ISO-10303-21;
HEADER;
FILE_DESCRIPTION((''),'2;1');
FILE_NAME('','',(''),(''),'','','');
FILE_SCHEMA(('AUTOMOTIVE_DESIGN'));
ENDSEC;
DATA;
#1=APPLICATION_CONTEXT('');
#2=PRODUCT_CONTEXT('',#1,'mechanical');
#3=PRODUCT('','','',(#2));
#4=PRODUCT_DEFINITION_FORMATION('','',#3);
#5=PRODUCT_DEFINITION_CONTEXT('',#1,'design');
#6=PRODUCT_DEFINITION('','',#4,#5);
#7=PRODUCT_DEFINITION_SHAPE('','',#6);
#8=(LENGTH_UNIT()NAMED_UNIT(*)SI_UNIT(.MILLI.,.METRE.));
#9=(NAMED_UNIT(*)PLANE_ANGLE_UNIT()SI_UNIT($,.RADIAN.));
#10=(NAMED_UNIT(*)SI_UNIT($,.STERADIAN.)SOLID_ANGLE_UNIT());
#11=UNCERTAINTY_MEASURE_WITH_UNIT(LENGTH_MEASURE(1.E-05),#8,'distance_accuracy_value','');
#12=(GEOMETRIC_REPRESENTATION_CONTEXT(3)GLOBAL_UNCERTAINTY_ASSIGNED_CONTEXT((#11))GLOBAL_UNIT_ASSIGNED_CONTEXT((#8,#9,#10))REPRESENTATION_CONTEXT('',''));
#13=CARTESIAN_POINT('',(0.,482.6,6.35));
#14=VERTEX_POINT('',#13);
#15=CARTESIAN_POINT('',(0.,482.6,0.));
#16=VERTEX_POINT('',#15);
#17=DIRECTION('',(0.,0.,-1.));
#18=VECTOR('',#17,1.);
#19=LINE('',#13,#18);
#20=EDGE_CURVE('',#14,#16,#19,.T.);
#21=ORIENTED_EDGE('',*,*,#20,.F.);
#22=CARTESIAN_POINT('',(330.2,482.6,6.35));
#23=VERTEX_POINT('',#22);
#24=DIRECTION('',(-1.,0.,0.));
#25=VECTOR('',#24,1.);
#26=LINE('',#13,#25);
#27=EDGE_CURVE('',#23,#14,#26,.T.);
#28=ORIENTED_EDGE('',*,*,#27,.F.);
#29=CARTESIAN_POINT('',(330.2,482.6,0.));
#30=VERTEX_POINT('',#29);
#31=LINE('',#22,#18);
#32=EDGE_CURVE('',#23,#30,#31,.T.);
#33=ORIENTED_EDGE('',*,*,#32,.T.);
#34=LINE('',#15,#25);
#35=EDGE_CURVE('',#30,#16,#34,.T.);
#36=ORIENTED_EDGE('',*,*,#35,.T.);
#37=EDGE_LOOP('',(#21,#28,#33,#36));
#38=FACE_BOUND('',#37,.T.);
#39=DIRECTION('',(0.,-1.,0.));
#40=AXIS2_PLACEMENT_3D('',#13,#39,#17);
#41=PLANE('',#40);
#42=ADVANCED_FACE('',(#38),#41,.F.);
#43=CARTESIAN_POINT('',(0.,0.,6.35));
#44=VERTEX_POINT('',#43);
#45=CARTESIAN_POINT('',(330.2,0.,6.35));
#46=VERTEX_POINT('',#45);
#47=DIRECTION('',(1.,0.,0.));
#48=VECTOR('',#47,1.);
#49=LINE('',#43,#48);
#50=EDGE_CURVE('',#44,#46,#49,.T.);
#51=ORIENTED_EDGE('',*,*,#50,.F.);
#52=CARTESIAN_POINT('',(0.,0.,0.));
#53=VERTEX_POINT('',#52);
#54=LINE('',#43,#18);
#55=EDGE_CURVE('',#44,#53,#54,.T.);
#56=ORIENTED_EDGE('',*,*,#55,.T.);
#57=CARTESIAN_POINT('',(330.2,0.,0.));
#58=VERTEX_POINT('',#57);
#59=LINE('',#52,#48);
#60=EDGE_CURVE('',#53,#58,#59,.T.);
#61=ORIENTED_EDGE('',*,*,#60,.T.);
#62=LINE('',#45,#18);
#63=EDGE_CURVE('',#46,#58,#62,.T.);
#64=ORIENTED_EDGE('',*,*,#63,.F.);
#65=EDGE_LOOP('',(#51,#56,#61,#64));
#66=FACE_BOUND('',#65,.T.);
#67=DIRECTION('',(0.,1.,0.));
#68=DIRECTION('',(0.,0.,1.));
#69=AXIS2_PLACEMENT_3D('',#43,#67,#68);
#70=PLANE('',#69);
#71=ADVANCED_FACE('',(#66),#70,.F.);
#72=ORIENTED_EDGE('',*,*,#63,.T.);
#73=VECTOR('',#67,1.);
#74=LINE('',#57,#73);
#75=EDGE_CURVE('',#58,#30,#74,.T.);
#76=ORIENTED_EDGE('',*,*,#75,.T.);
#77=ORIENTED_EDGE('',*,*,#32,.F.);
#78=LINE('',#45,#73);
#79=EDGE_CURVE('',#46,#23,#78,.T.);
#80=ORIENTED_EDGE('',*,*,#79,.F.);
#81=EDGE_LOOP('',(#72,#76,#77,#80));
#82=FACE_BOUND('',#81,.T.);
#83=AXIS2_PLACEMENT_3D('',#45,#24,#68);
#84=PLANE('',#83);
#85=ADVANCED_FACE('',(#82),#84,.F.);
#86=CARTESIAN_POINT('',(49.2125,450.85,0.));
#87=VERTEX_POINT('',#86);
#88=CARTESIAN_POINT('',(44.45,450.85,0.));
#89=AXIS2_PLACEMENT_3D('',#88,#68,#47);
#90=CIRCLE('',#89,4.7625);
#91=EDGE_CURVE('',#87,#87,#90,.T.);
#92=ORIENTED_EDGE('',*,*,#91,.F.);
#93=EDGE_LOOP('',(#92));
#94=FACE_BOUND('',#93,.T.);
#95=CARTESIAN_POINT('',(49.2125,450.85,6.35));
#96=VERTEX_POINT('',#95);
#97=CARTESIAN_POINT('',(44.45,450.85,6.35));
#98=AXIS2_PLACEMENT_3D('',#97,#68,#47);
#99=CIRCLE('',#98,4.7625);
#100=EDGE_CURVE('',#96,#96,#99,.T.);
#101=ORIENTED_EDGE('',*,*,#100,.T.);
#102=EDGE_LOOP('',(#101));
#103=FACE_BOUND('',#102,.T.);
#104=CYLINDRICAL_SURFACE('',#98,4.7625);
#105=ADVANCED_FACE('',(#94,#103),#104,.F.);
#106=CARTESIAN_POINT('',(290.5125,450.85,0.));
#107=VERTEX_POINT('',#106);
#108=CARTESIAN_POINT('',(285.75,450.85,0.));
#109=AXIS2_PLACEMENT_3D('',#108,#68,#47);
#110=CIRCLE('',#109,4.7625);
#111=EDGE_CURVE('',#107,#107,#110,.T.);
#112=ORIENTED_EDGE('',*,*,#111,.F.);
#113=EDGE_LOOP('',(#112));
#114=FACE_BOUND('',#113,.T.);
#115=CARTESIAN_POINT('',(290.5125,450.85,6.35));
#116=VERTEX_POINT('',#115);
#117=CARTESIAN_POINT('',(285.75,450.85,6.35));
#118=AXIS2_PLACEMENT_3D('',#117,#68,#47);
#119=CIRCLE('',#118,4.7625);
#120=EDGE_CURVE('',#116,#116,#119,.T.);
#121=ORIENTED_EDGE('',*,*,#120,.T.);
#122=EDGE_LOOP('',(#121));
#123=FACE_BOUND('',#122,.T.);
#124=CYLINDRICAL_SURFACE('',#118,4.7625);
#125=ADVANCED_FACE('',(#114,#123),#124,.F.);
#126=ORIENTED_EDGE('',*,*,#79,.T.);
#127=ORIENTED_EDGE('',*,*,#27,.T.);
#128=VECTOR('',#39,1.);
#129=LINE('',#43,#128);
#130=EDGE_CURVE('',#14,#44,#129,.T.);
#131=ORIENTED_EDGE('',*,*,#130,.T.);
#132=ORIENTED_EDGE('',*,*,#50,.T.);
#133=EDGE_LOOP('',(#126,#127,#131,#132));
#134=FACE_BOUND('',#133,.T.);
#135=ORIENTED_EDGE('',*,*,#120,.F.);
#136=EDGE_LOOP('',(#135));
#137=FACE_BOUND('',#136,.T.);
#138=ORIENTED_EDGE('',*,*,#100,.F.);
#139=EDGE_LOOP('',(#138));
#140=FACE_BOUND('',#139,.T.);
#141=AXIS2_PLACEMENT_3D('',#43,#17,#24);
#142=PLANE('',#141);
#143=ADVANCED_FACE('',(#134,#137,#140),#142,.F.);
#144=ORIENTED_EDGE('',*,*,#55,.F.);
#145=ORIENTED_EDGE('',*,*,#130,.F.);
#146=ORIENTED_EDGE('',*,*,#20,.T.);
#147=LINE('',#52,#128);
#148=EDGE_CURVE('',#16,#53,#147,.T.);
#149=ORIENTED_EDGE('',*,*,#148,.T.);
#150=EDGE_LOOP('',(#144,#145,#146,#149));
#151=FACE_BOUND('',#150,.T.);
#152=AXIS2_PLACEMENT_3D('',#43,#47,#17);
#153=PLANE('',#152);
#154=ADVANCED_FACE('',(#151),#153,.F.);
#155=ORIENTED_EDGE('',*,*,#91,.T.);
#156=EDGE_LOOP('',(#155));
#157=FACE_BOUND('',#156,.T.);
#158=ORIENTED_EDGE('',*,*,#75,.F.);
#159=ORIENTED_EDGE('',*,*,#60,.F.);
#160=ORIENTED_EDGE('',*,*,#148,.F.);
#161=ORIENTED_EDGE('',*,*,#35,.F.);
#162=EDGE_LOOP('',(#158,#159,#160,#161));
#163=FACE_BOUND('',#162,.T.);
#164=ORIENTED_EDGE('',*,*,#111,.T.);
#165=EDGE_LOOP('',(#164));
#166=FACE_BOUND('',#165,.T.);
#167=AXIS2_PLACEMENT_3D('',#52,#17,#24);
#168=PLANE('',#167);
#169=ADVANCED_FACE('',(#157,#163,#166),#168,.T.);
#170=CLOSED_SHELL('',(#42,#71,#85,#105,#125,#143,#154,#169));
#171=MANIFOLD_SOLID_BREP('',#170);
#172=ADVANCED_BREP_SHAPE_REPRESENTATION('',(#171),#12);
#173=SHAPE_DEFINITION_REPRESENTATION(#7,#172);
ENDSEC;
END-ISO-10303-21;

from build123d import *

# Parameters (mm, degrees)
SKETCH1_W                    = 330.2
SKETCH1_H                    = 482.6
BOSS_EXTRUDE1_DEPTH          = 6.35
F_3_8_0_375_DIAMETER_HOLE1_D = 9.525


with BuildPart() as part:
    # Sketch1 → Boss-Extrude1 (new body)
    with BuildSketch(Plane.XY):
        with Locations((165.1, 241.3)):
            Rectangle(SKETCH1_W, SKETCH1_H)
    extrude(amount=BOSS_EXTRUDE1_DEPTH)

    # 3/8 (0.375) Diameter Hole1 (through all)
    with Locations(Plane.XY.offset(6.35)):
        with Locations((44.45, 450.85), (285.75, 450.85)):
            Hole(F_3_8_0_375_DIAMETER_HOLE1_D / 2)


solid = part.part
